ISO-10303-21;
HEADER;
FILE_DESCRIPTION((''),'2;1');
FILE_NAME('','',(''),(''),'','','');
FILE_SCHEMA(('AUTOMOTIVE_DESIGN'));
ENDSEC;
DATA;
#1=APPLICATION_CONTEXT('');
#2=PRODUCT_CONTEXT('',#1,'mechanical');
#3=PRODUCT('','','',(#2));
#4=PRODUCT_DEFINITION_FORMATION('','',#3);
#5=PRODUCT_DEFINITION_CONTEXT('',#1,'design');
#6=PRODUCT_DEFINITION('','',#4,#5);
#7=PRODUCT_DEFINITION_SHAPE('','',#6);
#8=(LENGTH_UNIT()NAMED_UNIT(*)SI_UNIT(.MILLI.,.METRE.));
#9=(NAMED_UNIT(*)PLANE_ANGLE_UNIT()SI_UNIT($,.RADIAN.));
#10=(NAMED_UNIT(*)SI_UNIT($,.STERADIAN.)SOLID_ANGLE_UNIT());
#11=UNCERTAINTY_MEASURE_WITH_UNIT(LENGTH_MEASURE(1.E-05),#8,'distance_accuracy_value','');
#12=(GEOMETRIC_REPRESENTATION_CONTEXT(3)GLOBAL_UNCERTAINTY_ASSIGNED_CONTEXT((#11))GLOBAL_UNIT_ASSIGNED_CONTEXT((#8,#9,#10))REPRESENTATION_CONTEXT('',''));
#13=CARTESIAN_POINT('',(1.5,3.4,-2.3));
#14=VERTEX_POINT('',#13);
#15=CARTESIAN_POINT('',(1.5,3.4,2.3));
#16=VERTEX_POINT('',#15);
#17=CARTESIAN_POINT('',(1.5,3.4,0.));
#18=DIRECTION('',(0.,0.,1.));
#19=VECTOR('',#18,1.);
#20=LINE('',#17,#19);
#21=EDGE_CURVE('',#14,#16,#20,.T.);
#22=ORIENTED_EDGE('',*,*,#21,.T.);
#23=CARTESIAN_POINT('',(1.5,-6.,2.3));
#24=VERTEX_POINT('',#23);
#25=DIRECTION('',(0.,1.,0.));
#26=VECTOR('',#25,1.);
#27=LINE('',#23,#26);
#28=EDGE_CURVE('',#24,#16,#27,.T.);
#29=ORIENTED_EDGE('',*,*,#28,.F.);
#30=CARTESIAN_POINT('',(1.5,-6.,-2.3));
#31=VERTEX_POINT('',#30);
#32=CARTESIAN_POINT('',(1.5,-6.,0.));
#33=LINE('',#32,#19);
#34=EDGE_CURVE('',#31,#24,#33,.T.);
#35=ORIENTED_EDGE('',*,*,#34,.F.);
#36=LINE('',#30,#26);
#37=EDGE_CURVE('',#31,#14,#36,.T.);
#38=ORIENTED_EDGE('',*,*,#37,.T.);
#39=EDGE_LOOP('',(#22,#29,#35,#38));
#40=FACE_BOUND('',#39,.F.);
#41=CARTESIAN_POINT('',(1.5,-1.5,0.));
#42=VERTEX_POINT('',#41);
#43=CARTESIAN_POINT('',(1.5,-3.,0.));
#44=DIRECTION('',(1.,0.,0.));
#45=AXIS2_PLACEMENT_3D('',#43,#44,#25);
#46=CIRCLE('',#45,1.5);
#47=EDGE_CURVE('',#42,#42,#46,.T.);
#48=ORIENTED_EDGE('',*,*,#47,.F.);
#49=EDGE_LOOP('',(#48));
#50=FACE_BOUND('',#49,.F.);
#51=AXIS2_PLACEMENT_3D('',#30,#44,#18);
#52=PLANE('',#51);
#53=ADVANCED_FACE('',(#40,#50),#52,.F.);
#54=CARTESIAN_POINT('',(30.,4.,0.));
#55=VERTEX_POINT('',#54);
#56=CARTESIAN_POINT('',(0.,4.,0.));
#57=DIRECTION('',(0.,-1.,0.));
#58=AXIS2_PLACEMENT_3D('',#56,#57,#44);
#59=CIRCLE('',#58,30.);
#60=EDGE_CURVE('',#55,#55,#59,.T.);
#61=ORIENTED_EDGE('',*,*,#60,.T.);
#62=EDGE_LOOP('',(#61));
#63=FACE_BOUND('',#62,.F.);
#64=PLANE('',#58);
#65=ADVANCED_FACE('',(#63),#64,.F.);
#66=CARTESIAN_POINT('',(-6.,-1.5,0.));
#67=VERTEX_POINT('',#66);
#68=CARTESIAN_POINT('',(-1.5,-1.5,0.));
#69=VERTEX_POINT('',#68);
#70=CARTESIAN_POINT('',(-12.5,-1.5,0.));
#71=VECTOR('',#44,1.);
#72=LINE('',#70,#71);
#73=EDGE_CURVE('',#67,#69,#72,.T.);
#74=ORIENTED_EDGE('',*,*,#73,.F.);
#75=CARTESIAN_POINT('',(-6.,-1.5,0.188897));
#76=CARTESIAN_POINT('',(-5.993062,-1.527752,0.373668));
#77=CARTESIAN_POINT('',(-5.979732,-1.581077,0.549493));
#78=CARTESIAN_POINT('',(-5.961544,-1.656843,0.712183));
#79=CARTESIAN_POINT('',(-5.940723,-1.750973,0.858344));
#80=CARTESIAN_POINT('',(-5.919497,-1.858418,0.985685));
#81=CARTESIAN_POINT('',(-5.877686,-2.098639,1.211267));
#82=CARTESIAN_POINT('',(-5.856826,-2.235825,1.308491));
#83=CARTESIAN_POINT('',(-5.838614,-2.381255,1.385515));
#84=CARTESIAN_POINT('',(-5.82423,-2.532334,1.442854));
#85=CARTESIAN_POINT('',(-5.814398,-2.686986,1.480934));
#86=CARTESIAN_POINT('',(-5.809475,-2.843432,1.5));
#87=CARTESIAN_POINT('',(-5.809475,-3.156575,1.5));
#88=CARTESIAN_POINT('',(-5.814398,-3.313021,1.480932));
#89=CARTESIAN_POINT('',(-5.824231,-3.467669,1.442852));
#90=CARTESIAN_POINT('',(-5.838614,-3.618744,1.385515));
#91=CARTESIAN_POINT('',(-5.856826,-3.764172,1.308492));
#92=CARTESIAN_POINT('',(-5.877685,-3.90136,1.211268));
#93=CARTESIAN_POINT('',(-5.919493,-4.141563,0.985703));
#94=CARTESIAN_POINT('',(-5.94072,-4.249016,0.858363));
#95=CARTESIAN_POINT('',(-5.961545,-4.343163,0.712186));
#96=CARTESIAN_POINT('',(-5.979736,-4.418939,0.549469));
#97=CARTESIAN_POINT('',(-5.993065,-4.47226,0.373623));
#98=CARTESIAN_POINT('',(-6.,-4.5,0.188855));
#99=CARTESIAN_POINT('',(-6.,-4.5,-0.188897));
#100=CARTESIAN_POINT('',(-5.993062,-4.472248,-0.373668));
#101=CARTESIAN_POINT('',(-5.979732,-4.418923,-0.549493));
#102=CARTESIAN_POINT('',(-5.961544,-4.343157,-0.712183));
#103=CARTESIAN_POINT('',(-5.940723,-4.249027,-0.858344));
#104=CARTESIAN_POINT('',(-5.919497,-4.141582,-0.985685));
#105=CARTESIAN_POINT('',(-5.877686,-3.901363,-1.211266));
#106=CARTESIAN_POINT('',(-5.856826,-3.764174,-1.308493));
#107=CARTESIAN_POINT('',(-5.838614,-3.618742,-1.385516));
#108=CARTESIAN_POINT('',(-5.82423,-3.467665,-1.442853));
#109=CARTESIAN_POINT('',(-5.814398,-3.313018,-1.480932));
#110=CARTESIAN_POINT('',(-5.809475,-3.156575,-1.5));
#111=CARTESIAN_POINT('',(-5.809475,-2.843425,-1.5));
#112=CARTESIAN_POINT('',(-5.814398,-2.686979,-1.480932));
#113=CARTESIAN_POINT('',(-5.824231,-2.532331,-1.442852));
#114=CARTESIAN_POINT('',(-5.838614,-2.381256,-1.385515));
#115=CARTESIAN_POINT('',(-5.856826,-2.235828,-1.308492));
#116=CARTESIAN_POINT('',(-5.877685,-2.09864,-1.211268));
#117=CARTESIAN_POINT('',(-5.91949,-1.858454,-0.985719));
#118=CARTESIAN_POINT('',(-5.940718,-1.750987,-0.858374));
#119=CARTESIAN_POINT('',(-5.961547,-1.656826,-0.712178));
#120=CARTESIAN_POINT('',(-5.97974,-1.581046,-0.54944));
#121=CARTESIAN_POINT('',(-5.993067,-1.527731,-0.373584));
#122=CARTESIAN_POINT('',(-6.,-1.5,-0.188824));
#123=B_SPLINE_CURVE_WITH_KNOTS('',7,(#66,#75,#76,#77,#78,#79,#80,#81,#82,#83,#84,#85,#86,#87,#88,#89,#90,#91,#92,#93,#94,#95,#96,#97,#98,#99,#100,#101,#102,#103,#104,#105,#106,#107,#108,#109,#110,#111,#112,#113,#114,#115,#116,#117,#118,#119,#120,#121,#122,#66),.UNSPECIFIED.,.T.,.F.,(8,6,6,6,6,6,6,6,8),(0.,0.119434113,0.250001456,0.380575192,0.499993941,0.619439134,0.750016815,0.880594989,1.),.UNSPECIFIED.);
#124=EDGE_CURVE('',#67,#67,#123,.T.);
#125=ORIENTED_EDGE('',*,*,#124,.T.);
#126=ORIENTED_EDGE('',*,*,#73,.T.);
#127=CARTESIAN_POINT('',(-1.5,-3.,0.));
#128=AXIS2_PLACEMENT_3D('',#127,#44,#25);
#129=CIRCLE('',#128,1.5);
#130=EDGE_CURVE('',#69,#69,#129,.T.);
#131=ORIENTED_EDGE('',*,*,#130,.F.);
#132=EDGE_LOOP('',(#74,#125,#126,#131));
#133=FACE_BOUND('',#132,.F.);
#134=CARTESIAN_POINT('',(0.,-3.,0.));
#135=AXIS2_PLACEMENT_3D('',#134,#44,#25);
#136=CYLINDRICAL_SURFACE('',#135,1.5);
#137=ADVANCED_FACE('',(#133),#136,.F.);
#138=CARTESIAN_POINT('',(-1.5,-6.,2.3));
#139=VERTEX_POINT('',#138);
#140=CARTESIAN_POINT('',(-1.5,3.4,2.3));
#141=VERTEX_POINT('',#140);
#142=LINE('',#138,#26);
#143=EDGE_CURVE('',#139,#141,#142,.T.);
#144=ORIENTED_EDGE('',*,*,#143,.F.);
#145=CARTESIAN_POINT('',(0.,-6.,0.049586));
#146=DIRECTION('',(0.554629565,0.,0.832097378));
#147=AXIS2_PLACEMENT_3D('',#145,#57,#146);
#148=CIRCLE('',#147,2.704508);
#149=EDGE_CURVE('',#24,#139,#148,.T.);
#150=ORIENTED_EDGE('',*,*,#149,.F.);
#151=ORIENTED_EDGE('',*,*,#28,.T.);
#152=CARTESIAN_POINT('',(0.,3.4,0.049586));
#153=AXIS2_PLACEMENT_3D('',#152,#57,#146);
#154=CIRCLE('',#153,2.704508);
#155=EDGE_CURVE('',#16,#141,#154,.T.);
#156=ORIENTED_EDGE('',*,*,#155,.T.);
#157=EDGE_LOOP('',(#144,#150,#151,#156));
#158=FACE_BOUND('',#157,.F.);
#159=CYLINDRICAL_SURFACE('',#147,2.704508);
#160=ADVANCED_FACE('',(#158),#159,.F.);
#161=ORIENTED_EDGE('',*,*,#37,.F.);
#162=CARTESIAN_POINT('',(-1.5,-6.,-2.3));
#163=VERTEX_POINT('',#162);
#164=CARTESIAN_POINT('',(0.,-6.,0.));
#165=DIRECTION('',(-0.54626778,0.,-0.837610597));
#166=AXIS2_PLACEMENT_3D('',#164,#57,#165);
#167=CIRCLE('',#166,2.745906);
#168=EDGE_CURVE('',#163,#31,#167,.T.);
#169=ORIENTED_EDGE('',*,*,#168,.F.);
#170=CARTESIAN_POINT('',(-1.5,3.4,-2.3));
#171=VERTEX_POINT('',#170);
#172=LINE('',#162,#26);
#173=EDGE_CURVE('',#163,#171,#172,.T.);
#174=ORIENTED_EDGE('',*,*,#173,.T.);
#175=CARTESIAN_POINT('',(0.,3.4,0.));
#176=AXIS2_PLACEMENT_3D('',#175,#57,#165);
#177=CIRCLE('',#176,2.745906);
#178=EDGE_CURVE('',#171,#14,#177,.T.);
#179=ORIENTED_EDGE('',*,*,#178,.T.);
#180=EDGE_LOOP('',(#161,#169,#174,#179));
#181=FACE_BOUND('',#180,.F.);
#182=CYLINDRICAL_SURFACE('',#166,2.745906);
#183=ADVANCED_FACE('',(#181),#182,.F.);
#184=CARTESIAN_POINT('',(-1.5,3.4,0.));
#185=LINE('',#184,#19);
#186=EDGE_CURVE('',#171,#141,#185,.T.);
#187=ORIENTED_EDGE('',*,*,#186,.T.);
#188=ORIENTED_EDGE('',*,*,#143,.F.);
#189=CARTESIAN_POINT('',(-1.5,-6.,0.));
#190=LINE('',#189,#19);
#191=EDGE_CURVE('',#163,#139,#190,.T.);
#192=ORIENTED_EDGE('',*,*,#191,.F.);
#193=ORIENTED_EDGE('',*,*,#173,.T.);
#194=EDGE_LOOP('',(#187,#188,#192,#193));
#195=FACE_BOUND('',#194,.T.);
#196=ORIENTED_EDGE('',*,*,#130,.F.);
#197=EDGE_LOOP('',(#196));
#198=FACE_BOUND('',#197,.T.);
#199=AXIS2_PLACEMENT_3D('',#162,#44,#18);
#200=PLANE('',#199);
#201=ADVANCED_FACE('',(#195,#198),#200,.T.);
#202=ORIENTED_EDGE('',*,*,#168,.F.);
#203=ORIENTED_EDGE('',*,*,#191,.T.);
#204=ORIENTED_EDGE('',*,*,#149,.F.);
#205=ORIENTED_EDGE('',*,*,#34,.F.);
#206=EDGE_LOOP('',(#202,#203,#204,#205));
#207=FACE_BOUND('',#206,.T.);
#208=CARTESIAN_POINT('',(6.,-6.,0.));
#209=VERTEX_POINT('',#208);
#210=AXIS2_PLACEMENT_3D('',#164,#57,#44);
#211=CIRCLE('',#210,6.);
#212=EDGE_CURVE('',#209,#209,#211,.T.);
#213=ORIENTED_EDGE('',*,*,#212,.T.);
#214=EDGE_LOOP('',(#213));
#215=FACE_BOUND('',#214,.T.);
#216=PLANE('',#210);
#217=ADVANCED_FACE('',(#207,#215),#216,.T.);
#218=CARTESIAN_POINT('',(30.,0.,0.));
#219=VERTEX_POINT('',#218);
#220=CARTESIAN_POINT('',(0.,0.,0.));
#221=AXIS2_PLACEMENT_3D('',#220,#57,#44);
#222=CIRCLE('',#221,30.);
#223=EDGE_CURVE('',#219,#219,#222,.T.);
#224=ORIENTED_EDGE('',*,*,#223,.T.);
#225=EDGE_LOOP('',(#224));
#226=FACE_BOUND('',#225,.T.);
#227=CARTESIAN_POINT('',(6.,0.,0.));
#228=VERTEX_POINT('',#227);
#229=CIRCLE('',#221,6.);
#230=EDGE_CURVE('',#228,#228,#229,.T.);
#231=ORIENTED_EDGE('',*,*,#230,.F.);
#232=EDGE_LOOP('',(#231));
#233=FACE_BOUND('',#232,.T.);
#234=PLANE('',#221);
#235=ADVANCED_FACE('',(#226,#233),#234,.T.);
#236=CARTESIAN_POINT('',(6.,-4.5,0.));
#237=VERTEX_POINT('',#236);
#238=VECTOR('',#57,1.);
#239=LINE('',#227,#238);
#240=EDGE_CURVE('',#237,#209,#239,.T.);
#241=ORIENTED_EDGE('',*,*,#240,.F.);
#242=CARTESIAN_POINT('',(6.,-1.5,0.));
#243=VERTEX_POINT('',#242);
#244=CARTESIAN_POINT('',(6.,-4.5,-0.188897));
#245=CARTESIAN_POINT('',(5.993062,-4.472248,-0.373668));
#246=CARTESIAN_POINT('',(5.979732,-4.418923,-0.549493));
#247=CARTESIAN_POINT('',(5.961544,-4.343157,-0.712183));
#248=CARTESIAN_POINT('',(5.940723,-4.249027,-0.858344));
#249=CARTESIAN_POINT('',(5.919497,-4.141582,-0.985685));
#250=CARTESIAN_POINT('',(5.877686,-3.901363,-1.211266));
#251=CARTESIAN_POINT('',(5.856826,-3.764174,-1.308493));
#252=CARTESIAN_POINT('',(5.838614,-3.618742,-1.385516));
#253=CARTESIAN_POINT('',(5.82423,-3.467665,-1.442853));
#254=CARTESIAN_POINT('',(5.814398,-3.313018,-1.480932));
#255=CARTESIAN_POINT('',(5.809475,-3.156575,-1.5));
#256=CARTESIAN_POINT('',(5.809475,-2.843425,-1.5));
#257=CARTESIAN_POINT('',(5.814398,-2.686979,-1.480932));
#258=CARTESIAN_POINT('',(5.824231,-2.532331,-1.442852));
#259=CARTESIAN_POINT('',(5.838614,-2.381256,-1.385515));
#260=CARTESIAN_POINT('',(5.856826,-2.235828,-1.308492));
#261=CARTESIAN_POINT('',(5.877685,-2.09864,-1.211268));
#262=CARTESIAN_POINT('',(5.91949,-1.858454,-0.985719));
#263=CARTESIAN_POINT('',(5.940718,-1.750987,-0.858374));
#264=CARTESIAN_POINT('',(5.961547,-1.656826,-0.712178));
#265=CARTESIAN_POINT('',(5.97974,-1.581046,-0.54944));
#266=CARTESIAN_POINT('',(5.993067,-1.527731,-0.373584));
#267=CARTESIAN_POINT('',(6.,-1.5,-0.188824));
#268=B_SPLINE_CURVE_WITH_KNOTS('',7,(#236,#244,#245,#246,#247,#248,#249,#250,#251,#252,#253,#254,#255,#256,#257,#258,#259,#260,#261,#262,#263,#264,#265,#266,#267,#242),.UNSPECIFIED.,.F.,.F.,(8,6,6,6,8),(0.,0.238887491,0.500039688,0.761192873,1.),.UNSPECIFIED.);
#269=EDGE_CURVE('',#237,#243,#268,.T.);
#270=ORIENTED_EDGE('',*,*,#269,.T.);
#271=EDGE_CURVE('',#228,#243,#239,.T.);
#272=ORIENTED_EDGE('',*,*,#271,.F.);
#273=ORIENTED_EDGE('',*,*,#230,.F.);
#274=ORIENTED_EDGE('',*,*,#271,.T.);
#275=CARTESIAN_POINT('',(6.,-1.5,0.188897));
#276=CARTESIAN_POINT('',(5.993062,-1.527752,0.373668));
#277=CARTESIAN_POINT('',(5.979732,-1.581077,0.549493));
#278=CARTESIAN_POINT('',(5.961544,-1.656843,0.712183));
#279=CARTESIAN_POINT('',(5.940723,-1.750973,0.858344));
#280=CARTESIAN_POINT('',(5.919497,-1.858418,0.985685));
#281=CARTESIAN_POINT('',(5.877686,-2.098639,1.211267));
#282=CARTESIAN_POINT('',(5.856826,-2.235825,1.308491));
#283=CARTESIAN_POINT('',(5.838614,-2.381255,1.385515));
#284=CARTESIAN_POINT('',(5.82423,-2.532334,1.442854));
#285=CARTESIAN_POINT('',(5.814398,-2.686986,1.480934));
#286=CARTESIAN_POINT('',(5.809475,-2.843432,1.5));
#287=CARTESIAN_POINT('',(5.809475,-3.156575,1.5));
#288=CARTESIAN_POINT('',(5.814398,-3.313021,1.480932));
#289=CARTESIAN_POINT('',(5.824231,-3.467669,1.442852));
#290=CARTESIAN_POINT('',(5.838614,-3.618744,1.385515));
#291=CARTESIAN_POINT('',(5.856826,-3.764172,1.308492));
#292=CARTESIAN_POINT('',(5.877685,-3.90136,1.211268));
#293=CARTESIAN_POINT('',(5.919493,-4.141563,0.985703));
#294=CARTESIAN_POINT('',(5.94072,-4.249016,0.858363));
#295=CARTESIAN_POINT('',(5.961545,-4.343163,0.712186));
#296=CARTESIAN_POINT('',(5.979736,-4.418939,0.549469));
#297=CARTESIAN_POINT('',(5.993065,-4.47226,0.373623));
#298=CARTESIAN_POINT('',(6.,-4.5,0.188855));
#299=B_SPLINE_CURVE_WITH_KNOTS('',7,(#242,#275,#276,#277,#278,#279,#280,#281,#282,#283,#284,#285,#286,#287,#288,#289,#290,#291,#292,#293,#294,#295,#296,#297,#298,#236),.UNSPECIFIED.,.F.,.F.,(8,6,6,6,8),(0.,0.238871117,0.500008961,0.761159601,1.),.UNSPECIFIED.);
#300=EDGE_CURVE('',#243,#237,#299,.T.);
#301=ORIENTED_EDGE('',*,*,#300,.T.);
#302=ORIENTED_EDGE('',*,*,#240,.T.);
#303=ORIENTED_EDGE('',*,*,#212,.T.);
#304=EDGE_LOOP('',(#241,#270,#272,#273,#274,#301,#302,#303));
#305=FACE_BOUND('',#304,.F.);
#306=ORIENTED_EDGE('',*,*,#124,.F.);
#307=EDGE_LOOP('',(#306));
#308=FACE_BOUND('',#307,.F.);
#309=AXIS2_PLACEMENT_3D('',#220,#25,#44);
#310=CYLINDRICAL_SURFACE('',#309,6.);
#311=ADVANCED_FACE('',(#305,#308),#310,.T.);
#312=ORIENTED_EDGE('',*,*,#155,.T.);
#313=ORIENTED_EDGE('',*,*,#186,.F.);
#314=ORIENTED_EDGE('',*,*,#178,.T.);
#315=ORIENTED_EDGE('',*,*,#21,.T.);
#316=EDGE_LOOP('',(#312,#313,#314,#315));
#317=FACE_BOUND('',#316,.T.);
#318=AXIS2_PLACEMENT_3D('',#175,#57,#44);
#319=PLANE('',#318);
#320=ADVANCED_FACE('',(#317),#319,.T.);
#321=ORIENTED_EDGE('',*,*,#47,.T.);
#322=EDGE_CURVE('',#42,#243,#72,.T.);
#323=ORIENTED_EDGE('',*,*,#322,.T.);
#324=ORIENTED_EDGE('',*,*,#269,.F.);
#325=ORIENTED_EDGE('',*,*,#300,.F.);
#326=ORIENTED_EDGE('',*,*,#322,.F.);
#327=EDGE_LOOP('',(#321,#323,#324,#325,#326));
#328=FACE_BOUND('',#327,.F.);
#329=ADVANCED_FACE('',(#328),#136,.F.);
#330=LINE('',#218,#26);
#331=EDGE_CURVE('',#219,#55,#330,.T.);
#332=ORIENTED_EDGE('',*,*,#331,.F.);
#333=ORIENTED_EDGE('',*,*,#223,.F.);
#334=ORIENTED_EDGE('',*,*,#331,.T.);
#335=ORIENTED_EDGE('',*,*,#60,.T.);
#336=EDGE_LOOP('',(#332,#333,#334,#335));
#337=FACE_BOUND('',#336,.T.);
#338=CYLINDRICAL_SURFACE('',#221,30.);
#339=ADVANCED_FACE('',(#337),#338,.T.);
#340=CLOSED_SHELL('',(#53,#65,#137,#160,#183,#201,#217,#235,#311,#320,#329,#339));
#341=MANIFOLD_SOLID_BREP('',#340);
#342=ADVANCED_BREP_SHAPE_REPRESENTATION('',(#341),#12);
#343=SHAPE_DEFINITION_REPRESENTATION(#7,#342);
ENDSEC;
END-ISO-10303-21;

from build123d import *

# Parameters (mm, degrees)
F0_R     = 30
F0_R_2   = 6
F1_DEPTH = 4
F2_DEPTH = 6
F3_R     = 1.5
F4_DEPTH = 12.5
F5_W     = 3
F5_H     = 4.6
F6_DEPTH = 9.4


with BuildPart() as f1:
    # F0 (on Front) → F1 (new body)
    with BuildSketch(Plane.XZ):
        Circle(F0_R)
        Circle(F0_R_2, mode=Mode.SUBTRACT)
        Circle(F0_R_2)
    extrude(amount=-F1_DEPTH)

    # F0 (on Front) → F2 (join)
    with BuildSketch(Plane.XZ):
        Circle(F0_R_2)
    extrude(amount=F2_DEPTH)

    # F3 (on Right) → F4 (cut, symmetric)
    with BuildSketch(Plane.YZ):
        with Locations((-3, 0)):
            Circle(F3_R)
    extrude(amount=F4_DEPTH, both=True, mode=Mode.SUBTRACT)

    # F5 (on face) → F6 (cut)
    with BuildSketch(Plane.XZ.offset(6)):
        Rectangle(F5_W, F5_H)
        with BuildLine():
            Line((-1.5, 2.3), (1.5, 2.3))
            ThreePointArc((1.5, 2.3), (0, 2.7540939565), (-1.5, 2.3))
        make_face()
        with BuildLine():
            ThreePointArc((-1.5, -2.3), (0, -2.7459060435), (1.5, -2.3))
            Line((1.5, -2.3), (-1.5, -2.3))
        make_face()
    extrude(amount=-F6_DEPTH, mode=Mode.SUBTRACT)


solid = f1.part
